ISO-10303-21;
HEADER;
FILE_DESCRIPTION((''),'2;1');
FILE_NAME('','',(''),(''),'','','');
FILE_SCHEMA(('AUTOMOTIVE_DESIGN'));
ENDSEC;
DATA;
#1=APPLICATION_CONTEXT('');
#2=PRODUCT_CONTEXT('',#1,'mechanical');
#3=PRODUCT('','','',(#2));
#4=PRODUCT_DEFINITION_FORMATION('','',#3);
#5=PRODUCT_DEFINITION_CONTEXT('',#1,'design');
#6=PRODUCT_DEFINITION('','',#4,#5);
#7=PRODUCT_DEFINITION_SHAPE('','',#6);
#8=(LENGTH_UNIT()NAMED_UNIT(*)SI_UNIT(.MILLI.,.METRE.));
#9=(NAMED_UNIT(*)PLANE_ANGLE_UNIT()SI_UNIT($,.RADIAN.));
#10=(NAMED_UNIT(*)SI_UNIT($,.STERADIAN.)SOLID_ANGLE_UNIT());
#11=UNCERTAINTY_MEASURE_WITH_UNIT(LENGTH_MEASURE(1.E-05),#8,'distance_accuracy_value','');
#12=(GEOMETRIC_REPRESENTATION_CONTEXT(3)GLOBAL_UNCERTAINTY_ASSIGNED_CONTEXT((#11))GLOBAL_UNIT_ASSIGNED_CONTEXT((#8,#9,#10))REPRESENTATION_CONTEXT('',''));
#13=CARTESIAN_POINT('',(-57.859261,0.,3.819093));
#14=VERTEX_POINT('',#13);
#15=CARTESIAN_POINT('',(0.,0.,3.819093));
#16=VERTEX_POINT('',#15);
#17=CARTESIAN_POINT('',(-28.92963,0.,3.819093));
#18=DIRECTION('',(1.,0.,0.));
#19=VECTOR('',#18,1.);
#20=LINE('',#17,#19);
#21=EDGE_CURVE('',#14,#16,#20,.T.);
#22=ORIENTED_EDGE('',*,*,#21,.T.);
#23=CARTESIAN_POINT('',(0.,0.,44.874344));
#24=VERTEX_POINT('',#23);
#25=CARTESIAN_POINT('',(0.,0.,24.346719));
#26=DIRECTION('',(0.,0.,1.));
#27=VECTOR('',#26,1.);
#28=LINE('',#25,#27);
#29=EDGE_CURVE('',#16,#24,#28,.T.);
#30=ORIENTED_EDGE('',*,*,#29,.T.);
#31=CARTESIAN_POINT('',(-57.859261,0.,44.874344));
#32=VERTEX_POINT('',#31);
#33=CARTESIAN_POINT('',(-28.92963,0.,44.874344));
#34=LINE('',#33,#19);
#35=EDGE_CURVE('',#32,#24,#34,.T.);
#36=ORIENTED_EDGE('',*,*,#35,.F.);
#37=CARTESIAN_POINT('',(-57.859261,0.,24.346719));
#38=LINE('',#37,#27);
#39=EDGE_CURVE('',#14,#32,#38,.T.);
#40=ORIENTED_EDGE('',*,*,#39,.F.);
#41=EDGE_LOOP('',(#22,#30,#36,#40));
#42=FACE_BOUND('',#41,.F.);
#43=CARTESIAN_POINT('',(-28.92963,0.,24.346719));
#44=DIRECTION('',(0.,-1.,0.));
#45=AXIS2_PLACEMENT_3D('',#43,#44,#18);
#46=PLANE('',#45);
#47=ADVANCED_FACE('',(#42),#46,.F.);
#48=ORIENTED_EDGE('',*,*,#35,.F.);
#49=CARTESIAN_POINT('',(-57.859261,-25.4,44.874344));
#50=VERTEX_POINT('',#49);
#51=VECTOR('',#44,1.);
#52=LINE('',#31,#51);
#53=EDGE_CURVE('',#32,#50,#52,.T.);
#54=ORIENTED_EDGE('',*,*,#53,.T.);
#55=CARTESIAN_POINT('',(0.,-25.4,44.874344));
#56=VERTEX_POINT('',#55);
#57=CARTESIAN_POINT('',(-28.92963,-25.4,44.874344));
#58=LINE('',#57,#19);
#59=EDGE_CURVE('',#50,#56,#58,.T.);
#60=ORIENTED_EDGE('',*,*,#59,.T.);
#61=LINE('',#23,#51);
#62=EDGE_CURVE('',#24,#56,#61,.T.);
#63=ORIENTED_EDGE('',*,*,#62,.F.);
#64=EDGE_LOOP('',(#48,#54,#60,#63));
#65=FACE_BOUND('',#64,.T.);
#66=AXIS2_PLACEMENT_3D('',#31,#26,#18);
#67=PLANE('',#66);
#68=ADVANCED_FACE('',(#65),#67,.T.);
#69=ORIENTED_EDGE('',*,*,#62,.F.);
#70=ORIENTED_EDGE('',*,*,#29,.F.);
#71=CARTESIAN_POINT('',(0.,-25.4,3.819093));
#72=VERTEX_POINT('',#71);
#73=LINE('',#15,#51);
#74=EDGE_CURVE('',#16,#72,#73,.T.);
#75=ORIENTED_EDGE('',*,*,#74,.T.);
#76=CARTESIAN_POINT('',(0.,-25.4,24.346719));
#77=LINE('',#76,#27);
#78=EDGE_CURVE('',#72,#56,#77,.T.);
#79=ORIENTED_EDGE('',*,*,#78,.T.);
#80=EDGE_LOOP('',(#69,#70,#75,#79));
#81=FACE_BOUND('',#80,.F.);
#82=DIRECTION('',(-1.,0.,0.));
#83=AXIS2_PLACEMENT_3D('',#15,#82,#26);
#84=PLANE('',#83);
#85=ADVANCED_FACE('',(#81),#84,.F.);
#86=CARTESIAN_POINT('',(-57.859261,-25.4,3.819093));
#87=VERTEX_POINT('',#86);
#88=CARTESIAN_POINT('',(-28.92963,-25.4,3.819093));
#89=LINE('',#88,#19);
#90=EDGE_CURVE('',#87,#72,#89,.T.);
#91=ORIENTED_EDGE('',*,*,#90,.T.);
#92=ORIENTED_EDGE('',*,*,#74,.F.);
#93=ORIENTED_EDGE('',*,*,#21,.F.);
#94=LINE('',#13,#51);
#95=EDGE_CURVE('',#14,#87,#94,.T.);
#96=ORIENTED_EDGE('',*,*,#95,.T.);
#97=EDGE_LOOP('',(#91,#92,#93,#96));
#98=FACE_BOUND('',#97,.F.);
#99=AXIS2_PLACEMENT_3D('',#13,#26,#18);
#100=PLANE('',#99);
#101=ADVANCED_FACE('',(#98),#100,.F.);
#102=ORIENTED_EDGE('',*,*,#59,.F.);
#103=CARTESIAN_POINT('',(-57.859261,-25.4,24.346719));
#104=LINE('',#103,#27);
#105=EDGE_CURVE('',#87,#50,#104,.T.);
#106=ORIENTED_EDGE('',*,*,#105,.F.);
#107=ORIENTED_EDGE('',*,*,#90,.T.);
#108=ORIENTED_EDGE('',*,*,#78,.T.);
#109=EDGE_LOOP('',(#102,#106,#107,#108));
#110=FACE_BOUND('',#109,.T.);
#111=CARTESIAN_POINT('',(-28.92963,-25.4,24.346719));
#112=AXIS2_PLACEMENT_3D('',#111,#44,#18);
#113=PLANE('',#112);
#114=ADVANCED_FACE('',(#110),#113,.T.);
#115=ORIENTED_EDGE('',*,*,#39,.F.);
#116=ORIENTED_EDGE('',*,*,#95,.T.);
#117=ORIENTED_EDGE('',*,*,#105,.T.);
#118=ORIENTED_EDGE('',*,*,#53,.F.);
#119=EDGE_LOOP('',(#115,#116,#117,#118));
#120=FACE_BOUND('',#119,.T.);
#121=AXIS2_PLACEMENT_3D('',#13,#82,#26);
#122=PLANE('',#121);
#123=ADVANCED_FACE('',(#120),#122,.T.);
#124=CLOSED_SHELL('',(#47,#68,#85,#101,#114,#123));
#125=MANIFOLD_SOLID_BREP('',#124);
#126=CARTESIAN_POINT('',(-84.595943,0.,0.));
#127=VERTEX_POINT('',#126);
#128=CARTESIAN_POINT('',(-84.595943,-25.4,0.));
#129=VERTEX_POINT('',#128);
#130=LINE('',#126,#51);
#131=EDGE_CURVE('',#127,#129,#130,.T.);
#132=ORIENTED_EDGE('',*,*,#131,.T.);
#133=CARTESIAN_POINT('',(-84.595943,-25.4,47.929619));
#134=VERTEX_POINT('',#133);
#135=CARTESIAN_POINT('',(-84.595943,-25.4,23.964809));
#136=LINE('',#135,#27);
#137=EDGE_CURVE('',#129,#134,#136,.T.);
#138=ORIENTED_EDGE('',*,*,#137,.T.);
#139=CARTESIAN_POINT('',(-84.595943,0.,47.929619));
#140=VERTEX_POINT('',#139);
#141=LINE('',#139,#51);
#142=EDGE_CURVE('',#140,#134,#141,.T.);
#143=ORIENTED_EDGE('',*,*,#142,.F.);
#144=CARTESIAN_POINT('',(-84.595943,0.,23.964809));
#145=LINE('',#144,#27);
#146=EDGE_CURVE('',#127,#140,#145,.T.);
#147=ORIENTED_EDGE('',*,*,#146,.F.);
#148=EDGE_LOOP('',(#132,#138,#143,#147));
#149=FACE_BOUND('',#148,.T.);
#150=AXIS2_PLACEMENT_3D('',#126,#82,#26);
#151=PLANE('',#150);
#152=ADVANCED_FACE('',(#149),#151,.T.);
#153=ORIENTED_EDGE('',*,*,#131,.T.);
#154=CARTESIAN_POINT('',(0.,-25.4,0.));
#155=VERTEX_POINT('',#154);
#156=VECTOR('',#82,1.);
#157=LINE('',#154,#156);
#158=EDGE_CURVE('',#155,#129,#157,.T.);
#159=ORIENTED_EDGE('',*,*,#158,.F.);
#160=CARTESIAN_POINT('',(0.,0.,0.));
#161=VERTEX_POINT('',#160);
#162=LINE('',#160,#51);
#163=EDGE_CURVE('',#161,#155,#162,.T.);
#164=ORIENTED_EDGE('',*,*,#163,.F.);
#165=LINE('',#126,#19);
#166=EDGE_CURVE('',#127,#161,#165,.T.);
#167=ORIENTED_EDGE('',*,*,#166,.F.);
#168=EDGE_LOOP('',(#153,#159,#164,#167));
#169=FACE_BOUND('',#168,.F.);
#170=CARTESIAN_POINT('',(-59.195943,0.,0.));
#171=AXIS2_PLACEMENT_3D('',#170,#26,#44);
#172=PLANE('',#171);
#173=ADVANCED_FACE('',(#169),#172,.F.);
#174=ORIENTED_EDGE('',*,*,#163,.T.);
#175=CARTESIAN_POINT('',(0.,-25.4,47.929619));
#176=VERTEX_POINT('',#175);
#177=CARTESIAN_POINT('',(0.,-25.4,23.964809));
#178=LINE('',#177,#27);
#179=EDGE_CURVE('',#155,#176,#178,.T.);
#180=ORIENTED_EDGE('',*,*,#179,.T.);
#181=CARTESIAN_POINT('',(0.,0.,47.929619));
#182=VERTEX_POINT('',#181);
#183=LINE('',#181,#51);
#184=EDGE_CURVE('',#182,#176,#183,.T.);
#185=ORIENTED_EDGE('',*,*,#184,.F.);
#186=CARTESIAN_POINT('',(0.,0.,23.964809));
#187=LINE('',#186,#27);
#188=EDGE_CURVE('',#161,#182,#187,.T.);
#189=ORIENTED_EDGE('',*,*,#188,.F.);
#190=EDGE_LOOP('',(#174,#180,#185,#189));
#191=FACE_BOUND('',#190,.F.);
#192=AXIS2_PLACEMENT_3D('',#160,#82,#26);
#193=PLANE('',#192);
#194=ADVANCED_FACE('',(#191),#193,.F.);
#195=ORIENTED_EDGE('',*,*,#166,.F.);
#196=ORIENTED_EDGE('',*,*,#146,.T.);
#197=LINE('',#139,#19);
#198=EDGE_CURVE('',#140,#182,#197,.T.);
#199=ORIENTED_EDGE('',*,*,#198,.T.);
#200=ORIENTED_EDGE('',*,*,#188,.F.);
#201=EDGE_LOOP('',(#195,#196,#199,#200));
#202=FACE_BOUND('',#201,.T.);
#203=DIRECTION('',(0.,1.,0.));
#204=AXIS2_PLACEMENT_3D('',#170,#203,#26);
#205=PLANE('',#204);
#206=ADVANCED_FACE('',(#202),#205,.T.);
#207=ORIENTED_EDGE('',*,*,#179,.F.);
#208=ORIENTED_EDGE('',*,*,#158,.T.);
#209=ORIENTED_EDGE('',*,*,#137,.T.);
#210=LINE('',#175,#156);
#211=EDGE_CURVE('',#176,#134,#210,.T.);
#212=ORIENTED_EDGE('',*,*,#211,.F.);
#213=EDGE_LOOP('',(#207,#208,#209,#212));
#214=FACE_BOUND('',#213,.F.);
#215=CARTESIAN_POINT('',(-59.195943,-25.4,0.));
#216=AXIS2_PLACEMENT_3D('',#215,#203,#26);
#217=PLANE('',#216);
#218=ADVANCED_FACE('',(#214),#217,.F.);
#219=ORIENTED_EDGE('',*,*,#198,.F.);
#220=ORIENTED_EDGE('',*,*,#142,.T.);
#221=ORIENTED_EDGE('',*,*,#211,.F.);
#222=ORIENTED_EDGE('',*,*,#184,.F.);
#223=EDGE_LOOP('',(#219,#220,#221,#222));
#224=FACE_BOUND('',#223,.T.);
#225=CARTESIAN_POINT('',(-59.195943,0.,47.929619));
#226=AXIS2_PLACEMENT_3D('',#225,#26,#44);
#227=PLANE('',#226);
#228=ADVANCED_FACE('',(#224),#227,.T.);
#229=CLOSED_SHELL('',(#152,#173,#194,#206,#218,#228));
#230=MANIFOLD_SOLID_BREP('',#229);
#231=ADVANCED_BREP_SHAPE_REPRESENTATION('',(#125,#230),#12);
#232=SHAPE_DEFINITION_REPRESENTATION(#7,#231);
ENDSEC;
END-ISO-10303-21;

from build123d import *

# Parameters (mm, degrees)
F1_W     = 57.8592605889
F1_H     = 41.0552509129
F2_DEPTH = 25.4
F0_W     = 59.1959431767
F0_H     = 47.9296185076
F3_DEPTH = 25.4


with BuildPart() as f2:
    # F1 (on face) → F2 (new body)
    with BuildSketch(Plane.XZ):
        with Locations((-28.9296302944, 24.3467185646)):
            Rectangle(F1_W, F1_H)
    extrude(amount=F2_DEPTH)


with BuildPart() as f2b:
    # F0 (on Front) → F2, piece 2 (new body)
    with BuildSketch(Plane.XZ):
        with Locations((-29.5979715884, 23.9648092538)):
            Rectangle(F0_W, F0_H)
    extrude(amount=F2_DEPTH)

    # F3 (add): a face of the model
    f3_faces = [f2b.faces().sort_by_distance(p)[0] for p in [
        (-59.1959431767, -12.7, 23.9648092538),
    ]]
    extrude(f3_faces, amount=F3_DEPTH)


solid = Compound([f2.part, f2b.part])
